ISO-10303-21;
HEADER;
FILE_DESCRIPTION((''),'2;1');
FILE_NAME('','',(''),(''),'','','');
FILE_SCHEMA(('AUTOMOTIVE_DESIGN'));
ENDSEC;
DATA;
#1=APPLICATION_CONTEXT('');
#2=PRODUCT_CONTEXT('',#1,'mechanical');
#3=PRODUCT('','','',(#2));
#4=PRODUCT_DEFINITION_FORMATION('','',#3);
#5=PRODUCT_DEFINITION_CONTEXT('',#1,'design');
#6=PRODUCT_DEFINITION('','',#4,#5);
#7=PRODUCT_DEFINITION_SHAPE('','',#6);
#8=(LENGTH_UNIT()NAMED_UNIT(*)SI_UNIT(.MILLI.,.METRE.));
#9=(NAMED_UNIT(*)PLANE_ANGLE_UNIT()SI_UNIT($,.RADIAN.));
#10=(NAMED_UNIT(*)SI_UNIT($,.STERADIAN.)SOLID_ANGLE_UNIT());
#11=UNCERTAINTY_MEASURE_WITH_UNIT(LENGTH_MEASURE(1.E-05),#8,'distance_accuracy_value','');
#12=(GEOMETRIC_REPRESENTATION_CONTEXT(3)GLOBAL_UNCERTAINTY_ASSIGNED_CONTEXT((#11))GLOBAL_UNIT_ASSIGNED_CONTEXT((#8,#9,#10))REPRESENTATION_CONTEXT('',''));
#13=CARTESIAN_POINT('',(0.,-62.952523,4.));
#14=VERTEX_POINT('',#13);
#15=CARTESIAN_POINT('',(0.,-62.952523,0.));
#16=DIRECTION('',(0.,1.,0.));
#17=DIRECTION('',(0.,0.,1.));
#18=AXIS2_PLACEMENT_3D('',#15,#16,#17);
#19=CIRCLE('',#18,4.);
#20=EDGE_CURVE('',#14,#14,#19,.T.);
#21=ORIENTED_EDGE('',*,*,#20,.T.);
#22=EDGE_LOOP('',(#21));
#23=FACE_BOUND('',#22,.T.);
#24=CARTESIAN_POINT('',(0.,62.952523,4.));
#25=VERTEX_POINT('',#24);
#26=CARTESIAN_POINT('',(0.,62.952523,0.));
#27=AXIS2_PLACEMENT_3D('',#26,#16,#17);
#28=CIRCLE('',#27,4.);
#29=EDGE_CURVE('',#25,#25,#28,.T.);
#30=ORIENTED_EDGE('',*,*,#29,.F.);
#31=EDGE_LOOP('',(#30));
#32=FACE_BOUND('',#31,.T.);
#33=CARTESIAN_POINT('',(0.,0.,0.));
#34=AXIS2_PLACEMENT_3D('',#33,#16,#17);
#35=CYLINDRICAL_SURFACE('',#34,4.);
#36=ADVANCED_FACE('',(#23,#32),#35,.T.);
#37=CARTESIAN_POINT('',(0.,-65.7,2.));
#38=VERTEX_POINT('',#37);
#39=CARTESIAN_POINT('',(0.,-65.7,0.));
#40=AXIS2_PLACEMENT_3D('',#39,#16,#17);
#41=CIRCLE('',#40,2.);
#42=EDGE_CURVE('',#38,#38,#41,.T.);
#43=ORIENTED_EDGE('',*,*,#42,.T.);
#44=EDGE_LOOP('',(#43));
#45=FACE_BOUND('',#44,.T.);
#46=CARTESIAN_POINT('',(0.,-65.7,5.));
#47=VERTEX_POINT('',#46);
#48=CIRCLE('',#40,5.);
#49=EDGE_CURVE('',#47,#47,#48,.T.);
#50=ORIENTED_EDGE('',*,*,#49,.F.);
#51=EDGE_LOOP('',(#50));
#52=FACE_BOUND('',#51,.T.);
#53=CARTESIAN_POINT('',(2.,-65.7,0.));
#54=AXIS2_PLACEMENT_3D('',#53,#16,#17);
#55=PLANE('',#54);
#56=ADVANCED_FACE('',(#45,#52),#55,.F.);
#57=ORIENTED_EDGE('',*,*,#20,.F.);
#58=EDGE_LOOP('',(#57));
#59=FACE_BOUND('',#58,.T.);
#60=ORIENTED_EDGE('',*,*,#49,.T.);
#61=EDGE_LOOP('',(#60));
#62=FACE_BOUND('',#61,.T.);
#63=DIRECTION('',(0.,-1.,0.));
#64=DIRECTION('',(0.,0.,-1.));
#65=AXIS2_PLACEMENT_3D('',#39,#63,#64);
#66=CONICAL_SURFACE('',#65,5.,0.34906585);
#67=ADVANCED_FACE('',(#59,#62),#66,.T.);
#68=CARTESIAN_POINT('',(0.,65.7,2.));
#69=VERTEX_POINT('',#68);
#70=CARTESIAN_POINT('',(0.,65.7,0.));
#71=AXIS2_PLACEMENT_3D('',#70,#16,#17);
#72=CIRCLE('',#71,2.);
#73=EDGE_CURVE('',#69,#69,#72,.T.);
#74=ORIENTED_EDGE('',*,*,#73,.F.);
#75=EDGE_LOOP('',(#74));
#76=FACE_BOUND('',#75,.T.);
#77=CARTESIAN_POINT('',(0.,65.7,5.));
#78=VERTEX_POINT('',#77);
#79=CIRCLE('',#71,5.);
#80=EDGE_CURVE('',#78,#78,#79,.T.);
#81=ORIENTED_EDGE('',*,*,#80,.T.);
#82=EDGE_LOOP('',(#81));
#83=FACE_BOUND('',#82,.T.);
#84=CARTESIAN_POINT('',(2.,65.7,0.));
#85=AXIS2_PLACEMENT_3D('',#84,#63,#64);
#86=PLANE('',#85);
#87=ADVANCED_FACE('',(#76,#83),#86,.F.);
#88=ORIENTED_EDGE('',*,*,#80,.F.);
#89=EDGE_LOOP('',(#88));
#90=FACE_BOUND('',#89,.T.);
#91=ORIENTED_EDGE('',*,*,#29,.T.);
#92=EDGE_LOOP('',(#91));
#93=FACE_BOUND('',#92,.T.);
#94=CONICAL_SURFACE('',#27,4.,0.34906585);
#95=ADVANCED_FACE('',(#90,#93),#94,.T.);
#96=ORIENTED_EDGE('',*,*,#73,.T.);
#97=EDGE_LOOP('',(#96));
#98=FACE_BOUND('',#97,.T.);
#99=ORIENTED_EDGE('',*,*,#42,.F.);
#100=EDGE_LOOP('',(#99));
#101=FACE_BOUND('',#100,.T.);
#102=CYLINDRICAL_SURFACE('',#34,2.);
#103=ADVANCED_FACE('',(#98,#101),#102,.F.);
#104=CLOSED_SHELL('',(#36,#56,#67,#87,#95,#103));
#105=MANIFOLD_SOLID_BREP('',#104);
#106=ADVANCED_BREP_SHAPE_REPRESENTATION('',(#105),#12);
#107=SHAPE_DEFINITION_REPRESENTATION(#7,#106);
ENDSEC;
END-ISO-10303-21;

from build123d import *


with BuildPart() as part:
    # Sketch1 → Revolve1 (revolve)
    with BuildSketch(Plane.XY, mode=Mode.PRIVATE) as revolve1_sk:
        Polygon((2, -65.7), (5, -65.7), (4, -62.952522581), (4, 62.952522581), (5, 65.7), (2, 65.7), align=None)
    revolve(revolve1_sk.sketch.rotate(Axis((0, 0, 0), (0, -1, 0)), 90), axis=Axis((0, 0, 0), (0, -1, 0)))


solid = part.part
